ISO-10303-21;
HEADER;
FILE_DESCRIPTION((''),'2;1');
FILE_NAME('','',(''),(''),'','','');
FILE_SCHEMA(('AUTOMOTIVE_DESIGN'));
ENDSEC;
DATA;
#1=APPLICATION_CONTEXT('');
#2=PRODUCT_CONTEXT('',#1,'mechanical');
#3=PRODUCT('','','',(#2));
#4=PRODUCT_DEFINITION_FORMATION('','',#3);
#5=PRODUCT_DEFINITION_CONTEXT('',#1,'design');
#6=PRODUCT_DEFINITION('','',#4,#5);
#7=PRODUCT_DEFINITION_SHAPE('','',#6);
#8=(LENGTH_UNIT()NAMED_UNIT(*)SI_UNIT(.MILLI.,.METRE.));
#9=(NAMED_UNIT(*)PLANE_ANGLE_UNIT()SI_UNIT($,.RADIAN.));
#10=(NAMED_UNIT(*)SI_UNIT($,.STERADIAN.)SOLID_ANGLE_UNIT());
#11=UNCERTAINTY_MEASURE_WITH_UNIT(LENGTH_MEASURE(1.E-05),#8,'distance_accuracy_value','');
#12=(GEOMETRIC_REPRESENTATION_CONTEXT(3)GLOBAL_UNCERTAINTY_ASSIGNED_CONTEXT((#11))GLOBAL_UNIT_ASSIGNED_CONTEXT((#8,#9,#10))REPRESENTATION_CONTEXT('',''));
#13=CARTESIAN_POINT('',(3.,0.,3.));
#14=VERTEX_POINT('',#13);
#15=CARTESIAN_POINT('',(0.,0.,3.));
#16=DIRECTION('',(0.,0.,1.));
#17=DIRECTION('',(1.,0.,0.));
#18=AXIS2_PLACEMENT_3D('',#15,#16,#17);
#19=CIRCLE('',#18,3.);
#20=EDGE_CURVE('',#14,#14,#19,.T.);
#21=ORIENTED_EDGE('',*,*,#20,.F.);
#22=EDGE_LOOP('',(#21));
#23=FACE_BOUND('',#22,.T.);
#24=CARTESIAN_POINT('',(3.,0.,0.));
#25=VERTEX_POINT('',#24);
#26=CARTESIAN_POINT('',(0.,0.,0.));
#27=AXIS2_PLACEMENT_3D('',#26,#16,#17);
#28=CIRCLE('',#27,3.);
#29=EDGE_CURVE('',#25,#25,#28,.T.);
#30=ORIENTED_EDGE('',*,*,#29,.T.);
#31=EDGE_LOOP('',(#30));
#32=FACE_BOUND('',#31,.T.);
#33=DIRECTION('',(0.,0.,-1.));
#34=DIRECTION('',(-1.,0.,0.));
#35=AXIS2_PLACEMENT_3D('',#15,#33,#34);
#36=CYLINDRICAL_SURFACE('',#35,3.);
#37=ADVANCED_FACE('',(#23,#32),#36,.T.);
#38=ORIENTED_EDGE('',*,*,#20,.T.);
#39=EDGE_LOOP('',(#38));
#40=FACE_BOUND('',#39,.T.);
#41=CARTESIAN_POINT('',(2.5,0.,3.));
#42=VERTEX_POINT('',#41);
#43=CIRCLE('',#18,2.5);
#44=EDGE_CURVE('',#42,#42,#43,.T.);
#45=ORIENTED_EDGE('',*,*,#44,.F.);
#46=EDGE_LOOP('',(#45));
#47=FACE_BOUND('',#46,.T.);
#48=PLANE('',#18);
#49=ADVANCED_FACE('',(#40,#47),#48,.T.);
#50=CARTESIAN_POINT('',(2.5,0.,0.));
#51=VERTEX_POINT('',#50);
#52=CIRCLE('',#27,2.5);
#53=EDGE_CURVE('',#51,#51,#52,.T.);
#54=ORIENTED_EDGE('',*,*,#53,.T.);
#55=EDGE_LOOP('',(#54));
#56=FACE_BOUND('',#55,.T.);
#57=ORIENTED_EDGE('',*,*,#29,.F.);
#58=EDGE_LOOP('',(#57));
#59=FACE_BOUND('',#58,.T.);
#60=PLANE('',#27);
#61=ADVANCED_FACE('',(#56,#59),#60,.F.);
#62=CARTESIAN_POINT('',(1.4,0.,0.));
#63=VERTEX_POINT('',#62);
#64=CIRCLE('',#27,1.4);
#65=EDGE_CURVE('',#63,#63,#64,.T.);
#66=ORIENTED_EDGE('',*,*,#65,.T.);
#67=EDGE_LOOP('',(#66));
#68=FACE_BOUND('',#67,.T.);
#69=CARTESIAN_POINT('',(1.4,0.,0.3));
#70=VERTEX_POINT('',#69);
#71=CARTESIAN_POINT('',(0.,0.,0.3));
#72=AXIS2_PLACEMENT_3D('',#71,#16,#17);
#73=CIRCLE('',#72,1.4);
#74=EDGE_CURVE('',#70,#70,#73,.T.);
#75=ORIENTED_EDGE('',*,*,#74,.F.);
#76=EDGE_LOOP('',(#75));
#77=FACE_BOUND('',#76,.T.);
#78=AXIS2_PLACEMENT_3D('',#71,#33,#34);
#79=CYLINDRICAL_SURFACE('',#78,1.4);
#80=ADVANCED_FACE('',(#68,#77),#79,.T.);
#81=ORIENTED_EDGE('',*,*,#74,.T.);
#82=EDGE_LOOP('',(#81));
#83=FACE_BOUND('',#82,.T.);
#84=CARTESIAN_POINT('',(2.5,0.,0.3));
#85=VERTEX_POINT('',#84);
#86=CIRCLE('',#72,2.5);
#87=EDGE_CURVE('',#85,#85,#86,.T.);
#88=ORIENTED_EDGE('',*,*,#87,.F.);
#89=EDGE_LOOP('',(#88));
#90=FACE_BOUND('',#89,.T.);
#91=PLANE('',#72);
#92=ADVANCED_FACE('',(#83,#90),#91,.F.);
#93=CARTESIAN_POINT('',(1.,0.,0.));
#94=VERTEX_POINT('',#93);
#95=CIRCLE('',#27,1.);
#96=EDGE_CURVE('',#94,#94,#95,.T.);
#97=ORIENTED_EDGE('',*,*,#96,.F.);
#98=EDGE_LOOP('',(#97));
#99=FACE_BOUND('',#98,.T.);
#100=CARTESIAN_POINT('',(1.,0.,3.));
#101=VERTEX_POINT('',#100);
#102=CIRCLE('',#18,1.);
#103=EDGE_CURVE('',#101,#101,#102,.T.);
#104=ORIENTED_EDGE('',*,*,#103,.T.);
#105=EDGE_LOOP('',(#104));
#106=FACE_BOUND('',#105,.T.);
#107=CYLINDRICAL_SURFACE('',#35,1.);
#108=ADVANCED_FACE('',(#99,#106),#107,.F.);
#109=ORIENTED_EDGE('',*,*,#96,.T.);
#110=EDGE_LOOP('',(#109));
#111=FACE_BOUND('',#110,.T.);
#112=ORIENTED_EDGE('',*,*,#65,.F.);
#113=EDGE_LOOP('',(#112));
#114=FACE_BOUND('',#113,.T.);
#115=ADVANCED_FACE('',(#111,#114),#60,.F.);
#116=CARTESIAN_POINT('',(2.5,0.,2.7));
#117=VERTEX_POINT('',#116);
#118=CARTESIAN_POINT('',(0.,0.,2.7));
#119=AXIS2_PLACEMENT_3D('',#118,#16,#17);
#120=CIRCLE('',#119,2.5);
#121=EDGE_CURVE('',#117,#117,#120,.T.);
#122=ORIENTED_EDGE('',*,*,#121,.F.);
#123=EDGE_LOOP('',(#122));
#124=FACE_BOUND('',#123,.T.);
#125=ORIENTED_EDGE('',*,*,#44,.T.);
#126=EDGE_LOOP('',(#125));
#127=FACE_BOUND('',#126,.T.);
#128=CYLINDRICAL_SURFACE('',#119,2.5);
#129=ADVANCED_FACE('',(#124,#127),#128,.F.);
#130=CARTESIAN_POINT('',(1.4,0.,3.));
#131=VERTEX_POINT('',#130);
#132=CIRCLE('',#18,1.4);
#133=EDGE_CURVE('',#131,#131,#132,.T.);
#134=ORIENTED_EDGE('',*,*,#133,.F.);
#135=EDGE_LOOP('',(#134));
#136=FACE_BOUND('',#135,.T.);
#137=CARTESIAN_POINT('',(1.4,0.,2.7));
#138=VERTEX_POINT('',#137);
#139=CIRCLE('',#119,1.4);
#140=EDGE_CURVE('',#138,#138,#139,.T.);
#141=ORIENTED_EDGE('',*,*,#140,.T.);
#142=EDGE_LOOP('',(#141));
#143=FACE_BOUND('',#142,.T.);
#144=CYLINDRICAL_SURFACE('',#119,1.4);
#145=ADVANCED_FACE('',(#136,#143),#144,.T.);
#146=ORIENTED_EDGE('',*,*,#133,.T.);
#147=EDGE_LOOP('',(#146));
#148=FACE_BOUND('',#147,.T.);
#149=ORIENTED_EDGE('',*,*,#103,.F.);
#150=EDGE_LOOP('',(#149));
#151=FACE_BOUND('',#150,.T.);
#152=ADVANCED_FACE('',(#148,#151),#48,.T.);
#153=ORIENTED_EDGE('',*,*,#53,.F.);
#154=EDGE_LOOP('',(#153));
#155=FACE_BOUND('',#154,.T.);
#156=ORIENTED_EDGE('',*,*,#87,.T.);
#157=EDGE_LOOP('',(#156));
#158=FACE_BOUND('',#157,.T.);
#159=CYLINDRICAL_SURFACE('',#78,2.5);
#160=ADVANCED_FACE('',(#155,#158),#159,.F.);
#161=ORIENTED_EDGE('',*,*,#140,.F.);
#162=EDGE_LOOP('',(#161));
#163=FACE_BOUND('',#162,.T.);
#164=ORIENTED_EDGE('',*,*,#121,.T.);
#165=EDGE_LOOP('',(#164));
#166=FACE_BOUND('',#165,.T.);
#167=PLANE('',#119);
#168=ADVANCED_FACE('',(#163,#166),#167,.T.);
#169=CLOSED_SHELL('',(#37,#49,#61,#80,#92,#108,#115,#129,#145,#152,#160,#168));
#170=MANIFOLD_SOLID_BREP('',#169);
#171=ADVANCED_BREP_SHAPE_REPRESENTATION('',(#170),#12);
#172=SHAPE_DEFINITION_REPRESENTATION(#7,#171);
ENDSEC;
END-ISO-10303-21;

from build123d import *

# Parameters (mm, degrees)
SKETCH1_R           = 3
SKETCH1_R_2         = 1
BOSS_EXTRUDE1_DEPTH = 3
SKETCH2_R           = 2.5
SKETCH2_R_2         = 1.4
CUT_EXTRUDE1_DEPTH  = 0.3
CUT_EXTRUDE2_START  = -3
SKETCH2_2_R         = 2.5
SKETCH2_2_R_2       = 1.4
CUT_EXTRUDE2_DEPTH  = 0.3


with BuildPart() as part:
    # Sketch1 → Boss-Extrude1 (new body)
    with BuildSketch(Plane.XY):
        Circle(SKETCH1_R)
        Circle(SKETCH1_R_2, mode=Mode.SUBTRACT)
    extrude(amount=BOSS_EXTRUDE1_DEPTH)

    # Sketch2 → Cut-Extrude1 (cut)
    with BuildSketch(Plane.XY.offset(3)):
        Circle(SKETCH2_R)
        Circle(SKETCH2_R_2, mode=Mode.SUBTRACT)
    extrude(amount=-CUT_EXTRUDE1_DEPTH, mode=Mode.SUBTRACT)

    # Sketch2<2> → Cut-Extrude2 (cut)
    with BuildSketch(Plane.XY.offset(3).offset(CUT_EXTRUDE2_START)):
        Circle(SKETCH2_2_R)
        Circle(SKETCH2_2_R_2, mode=Mode.SUBTRACT)
    extrude(amount=CUT_EXTRUDE2_DEPTH, mode=Mode.SUBTRACT)


solid = part.part
